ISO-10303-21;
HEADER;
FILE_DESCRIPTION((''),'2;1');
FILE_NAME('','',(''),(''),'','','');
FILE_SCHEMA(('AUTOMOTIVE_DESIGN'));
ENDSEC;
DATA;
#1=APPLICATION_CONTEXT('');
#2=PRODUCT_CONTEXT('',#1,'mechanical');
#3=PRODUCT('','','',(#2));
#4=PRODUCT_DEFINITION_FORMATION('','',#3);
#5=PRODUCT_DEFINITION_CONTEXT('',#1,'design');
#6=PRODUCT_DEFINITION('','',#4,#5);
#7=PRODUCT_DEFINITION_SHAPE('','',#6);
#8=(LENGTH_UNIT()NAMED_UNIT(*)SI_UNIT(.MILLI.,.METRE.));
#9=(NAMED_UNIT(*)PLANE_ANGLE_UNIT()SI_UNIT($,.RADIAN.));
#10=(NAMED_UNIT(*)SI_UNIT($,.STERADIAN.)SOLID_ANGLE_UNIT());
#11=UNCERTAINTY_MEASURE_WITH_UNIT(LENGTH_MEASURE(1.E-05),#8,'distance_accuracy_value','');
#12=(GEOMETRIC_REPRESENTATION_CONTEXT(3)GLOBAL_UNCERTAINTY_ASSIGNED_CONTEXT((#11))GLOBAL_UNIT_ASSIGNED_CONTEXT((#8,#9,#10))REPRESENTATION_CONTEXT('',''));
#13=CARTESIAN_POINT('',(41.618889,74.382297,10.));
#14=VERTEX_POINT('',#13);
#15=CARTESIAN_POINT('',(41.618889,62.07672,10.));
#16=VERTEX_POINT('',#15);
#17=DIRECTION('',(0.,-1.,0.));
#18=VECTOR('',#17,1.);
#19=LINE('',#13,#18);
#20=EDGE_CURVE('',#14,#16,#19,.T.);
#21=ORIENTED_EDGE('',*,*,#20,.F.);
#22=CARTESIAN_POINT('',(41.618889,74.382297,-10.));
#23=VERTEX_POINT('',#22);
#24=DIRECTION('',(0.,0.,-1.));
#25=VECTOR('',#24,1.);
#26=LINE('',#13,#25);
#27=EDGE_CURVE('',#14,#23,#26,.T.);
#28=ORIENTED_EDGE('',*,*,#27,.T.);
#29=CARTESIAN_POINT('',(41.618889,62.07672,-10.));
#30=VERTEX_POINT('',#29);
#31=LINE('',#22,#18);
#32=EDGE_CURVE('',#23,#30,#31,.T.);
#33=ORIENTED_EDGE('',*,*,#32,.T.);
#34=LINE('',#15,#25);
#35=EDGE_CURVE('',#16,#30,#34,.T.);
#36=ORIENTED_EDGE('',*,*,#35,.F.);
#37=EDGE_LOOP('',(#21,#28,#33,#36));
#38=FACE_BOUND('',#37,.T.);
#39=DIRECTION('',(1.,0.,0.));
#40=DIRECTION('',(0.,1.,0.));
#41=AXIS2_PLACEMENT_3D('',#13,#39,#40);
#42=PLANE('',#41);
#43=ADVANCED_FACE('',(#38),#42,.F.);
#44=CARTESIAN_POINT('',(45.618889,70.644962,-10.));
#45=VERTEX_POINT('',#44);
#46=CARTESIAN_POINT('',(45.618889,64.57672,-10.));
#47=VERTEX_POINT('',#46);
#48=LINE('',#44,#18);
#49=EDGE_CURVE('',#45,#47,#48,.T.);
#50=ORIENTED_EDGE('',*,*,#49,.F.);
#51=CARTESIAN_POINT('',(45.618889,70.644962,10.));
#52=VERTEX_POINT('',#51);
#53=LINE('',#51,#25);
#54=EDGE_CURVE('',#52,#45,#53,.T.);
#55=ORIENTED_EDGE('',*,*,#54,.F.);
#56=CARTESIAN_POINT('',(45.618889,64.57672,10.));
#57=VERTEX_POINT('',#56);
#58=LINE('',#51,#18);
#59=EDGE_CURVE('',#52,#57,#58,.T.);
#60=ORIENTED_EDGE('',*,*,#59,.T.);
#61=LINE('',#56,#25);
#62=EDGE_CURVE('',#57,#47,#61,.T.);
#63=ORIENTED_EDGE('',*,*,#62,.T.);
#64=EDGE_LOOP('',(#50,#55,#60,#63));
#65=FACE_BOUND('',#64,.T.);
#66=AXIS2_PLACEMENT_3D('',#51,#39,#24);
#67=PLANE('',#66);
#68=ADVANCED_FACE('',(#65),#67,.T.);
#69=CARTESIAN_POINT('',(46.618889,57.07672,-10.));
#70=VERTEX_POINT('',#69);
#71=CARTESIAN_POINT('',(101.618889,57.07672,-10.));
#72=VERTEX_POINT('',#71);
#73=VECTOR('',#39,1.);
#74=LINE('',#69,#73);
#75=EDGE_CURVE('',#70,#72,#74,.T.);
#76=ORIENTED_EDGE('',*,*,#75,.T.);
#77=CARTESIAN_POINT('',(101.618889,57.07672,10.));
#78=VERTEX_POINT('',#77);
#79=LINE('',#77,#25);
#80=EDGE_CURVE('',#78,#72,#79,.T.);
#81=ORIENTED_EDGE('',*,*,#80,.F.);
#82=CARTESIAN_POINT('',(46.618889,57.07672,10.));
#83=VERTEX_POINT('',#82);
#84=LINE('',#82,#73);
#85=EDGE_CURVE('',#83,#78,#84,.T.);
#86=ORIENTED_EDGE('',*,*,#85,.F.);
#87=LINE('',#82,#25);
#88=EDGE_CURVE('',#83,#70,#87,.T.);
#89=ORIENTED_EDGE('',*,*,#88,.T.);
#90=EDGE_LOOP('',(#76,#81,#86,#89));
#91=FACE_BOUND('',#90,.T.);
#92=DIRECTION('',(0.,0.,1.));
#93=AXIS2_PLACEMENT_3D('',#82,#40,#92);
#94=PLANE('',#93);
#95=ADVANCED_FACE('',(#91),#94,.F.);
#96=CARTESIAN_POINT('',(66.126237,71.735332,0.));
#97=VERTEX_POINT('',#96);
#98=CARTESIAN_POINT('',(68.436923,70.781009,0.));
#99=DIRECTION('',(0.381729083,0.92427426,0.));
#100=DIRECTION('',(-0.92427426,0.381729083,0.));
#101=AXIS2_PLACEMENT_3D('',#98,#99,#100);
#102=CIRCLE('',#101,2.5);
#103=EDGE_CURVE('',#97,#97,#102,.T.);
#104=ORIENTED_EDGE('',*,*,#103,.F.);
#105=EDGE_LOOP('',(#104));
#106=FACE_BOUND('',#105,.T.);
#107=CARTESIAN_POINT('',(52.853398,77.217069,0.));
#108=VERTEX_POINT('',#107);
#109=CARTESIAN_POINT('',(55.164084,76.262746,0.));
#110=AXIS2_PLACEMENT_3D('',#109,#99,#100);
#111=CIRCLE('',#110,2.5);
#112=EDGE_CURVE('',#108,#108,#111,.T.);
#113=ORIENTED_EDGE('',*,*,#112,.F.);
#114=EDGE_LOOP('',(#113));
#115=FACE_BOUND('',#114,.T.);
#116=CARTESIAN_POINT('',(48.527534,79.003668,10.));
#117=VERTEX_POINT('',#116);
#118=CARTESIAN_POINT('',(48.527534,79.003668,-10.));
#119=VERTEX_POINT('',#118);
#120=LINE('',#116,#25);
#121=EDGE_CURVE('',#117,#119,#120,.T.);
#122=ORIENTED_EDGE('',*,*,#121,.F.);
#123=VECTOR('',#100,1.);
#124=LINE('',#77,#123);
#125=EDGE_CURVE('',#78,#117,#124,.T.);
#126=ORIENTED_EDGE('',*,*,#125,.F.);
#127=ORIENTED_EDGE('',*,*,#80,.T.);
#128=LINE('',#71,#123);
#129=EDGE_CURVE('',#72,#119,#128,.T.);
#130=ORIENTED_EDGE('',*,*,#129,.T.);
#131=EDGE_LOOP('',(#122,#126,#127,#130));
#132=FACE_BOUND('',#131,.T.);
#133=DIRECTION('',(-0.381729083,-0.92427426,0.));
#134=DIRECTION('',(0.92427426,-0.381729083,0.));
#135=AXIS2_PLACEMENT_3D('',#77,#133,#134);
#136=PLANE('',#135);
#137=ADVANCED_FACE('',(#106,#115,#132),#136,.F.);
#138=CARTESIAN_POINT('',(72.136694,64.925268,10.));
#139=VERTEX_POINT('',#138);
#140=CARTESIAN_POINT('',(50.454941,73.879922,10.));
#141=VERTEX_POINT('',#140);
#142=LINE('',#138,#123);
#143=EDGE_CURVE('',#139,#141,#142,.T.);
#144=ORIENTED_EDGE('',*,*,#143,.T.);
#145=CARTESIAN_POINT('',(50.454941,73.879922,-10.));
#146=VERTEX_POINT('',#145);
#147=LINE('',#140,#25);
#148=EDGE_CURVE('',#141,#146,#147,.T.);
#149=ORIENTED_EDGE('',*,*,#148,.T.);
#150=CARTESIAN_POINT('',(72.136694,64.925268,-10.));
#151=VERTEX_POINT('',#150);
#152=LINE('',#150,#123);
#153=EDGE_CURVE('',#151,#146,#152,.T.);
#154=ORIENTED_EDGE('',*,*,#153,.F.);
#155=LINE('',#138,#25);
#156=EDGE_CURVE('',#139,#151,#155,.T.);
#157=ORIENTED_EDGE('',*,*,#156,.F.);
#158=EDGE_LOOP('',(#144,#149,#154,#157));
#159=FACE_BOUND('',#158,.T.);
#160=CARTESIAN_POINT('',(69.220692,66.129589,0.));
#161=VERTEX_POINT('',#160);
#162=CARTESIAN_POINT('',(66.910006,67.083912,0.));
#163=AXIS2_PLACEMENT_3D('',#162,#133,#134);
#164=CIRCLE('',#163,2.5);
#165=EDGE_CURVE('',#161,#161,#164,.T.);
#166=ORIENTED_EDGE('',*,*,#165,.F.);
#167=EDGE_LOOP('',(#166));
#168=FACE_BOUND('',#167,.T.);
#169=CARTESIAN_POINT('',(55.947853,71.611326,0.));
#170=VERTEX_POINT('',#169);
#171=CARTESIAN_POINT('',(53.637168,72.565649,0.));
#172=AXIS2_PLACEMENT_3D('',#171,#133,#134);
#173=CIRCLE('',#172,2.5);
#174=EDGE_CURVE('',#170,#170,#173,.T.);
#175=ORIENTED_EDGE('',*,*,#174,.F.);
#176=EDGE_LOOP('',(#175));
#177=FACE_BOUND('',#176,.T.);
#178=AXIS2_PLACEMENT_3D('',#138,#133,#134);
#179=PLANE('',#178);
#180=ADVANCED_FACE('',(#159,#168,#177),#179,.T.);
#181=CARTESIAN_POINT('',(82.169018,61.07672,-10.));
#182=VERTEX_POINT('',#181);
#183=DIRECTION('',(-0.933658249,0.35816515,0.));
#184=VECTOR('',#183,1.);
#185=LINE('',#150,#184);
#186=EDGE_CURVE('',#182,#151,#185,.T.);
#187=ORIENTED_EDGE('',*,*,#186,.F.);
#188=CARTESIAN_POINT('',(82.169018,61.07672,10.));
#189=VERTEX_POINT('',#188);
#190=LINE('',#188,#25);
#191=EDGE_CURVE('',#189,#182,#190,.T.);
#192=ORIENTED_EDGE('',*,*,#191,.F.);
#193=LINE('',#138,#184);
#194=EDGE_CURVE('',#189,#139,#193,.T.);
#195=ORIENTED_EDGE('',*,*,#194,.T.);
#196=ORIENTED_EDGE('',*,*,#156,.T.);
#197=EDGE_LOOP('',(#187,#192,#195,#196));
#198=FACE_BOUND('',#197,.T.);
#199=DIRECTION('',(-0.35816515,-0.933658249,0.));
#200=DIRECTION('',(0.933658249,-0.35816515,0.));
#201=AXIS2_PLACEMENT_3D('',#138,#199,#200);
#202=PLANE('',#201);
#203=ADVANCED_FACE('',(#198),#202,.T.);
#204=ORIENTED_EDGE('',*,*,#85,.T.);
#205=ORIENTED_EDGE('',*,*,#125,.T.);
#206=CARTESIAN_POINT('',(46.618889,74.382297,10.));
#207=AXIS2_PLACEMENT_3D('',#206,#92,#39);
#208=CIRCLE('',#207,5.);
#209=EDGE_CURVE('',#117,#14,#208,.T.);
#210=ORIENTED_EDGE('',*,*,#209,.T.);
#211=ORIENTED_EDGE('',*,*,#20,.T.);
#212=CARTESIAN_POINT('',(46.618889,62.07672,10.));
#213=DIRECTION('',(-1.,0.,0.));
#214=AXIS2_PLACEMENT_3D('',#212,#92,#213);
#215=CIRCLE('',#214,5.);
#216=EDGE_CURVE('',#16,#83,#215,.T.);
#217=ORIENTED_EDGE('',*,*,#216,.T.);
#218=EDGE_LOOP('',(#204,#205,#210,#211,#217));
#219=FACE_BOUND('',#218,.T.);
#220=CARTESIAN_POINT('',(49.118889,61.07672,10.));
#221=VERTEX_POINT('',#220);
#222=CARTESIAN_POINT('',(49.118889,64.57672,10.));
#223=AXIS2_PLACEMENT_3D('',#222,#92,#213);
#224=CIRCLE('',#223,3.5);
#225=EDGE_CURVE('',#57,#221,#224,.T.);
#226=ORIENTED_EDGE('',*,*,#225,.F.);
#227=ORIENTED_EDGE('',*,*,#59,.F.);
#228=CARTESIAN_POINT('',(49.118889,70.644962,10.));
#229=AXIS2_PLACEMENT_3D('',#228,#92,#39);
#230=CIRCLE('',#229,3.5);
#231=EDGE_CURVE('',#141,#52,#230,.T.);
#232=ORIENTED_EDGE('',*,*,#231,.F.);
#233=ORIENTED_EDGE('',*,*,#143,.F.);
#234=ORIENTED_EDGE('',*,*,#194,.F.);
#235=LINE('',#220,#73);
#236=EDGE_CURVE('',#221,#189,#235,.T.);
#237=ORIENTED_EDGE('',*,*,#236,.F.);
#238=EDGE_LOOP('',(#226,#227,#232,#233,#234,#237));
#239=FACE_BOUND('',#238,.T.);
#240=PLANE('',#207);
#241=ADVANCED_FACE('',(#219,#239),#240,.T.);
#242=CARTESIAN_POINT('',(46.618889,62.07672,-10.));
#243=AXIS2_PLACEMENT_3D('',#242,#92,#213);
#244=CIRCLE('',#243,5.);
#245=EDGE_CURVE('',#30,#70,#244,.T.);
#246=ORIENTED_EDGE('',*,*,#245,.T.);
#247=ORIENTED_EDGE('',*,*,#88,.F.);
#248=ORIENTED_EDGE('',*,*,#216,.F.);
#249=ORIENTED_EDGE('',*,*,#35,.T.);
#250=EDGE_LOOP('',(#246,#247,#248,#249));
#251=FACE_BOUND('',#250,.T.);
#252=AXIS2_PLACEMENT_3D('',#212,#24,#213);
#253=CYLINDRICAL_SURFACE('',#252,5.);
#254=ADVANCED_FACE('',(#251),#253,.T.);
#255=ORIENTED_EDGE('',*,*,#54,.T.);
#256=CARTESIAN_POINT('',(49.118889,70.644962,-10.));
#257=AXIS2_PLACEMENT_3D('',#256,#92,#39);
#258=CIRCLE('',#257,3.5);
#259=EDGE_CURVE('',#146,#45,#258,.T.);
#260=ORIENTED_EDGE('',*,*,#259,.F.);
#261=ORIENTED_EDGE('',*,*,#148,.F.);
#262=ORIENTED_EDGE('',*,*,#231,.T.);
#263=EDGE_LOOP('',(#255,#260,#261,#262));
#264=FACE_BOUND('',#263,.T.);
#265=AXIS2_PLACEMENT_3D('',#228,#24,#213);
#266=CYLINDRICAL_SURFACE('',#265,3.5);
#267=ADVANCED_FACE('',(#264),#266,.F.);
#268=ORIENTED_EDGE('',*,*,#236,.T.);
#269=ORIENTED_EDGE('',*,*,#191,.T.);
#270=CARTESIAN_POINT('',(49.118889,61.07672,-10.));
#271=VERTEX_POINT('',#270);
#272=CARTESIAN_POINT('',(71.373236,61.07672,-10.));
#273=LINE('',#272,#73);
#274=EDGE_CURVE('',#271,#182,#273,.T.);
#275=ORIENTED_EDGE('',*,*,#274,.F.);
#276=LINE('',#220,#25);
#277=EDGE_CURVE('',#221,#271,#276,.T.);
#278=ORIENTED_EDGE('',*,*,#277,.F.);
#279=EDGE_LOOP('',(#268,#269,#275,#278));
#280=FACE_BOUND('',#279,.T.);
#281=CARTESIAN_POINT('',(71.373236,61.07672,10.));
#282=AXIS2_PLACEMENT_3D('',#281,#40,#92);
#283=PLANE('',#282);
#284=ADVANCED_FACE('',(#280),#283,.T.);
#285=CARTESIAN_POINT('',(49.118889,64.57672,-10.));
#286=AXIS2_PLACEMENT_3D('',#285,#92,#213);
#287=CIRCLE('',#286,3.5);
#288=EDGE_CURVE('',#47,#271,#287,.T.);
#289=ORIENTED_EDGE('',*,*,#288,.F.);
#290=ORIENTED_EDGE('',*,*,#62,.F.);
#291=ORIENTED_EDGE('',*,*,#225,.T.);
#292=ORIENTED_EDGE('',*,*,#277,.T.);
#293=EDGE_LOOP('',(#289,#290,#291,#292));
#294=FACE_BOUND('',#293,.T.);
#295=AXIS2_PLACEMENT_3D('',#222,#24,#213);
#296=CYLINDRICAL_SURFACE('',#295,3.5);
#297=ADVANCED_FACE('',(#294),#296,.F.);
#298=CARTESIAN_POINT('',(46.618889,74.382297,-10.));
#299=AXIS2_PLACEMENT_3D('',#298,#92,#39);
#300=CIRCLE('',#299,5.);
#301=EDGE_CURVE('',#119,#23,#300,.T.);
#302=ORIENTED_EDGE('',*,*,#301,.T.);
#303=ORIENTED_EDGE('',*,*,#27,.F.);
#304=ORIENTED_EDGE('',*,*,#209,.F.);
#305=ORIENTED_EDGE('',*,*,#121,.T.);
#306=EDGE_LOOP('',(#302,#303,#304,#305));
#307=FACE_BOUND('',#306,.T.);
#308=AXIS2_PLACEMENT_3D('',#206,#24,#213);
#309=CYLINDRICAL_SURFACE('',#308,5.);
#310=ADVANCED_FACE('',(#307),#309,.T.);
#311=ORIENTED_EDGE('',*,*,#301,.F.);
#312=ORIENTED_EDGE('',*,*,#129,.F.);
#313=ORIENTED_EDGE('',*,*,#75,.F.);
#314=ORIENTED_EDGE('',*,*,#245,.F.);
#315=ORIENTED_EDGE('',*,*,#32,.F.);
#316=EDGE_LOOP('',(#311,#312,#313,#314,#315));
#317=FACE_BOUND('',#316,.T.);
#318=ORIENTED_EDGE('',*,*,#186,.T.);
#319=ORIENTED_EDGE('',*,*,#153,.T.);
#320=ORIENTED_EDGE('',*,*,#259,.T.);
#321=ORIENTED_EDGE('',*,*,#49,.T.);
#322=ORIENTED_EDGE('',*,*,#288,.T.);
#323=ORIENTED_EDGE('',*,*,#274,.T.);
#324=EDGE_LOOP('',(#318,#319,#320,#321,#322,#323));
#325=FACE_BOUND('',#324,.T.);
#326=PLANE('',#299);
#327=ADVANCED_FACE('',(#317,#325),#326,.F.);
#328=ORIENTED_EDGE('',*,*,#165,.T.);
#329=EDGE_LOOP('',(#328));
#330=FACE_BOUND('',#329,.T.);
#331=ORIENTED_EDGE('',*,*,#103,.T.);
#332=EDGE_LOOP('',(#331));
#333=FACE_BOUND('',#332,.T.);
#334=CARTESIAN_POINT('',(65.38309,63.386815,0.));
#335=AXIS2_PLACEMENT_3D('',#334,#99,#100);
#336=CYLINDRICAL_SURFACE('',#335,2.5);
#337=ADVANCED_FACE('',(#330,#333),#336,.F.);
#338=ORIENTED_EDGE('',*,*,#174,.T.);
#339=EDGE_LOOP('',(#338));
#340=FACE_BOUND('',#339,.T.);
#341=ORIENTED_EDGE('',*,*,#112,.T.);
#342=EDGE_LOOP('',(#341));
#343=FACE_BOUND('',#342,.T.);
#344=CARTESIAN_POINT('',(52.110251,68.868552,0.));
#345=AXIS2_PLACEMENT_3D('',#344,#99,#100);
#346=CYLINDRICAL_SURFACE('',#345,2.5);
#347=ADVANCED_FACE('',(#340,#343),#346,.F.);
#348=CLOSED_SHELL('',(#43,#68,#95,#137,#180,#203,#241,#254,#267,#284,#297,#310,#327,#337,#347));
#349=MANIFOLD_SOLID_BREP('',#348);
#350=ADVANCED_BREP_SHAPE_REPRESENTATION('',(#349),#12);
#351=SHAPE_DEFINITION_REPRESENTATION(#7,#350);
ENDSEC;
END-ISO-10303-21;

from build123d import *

# Parameters (mm, degrees)
BOSS_EXTRU_1_DEPTH      = 10
ESQUISSE2_R             = 2.5
ENL_V_MAT_EXTRU_1_DEPTH = 8


with BuildPart() as part:
    # Esquisse1 → Boss.-Extru.1 (new, symmetric)
    with BuildSketch(Plane.XY):
        with BuildLine():
            Line((46.618888989, 57.076719782), (101.618888989, 57.076719782))
            Line((101.618888989, 57.076719782), (48.527534404, 79.003668292))
            ThreePointArc((48.527534404, 79.003668292), (43.838891424, 78.538210075), (41.618888989, 74.382296994))
            Line((41.618888989, 74.382296994), (41.618888989, 62.076719782))
            ThreePointArc((41.618888989, 62.076719782), (43.083355083, 58.541185876), (46.618888989, 57.076719782))
        make_face()
        with BuildLine():
            Line((72.136693702, 64.925268301), (50.45494078, 73.879921722))
            ThreePointArc((50.45494078, 73.879921722), (47.172890694, 73.554100969), (45.618888989, 70.644961813))
            Line((45.618888989, 70.644961813), (45.618888989, 64.576719782))
            ThreePointArc((45.618888989, 64.576719782), (46.644015255, 62.101846047), (49.118888989, 61.076719782))
            Line((49.118888989, 61.076719782), (71.373235536, 61.076719782))
            Line((71.373235536, 61.076719782), (82.169018373, 61.076719782))
            Line((82.169018373, 61.076719782), (72.136693702, 64.925268301))
        make_face(mode=Mode.SUBTRACT)
    extrude(amount=BOSS_EXTRU_1_DEPTH, both=True)

    # Esquisse2 → Enlèv. mat.-Extru.1 (cut)
    with BuildSketch(Plane(origin=(34.945552376, 84.613082912, 0), x_dir=(0.9242742597143897, -0.38172908302802533, 0), z_dir=(0.3817290830280253, 0.9242742597143896, 0))):
        with Locations(Location((21.875034686, 0, 0), (0, 0, 180))):
            Circle(ESQUISSE2_R)
        with Locations(Location((36.235316287, 0, 0), (0, 0, 180))):
            Circle(ESQUISSE2_R)
    extrude(amount=-ENL_V_MAT_EXTRU_1_DEPTH, mode=Mode.SUBTRACT)


solid = part.part
